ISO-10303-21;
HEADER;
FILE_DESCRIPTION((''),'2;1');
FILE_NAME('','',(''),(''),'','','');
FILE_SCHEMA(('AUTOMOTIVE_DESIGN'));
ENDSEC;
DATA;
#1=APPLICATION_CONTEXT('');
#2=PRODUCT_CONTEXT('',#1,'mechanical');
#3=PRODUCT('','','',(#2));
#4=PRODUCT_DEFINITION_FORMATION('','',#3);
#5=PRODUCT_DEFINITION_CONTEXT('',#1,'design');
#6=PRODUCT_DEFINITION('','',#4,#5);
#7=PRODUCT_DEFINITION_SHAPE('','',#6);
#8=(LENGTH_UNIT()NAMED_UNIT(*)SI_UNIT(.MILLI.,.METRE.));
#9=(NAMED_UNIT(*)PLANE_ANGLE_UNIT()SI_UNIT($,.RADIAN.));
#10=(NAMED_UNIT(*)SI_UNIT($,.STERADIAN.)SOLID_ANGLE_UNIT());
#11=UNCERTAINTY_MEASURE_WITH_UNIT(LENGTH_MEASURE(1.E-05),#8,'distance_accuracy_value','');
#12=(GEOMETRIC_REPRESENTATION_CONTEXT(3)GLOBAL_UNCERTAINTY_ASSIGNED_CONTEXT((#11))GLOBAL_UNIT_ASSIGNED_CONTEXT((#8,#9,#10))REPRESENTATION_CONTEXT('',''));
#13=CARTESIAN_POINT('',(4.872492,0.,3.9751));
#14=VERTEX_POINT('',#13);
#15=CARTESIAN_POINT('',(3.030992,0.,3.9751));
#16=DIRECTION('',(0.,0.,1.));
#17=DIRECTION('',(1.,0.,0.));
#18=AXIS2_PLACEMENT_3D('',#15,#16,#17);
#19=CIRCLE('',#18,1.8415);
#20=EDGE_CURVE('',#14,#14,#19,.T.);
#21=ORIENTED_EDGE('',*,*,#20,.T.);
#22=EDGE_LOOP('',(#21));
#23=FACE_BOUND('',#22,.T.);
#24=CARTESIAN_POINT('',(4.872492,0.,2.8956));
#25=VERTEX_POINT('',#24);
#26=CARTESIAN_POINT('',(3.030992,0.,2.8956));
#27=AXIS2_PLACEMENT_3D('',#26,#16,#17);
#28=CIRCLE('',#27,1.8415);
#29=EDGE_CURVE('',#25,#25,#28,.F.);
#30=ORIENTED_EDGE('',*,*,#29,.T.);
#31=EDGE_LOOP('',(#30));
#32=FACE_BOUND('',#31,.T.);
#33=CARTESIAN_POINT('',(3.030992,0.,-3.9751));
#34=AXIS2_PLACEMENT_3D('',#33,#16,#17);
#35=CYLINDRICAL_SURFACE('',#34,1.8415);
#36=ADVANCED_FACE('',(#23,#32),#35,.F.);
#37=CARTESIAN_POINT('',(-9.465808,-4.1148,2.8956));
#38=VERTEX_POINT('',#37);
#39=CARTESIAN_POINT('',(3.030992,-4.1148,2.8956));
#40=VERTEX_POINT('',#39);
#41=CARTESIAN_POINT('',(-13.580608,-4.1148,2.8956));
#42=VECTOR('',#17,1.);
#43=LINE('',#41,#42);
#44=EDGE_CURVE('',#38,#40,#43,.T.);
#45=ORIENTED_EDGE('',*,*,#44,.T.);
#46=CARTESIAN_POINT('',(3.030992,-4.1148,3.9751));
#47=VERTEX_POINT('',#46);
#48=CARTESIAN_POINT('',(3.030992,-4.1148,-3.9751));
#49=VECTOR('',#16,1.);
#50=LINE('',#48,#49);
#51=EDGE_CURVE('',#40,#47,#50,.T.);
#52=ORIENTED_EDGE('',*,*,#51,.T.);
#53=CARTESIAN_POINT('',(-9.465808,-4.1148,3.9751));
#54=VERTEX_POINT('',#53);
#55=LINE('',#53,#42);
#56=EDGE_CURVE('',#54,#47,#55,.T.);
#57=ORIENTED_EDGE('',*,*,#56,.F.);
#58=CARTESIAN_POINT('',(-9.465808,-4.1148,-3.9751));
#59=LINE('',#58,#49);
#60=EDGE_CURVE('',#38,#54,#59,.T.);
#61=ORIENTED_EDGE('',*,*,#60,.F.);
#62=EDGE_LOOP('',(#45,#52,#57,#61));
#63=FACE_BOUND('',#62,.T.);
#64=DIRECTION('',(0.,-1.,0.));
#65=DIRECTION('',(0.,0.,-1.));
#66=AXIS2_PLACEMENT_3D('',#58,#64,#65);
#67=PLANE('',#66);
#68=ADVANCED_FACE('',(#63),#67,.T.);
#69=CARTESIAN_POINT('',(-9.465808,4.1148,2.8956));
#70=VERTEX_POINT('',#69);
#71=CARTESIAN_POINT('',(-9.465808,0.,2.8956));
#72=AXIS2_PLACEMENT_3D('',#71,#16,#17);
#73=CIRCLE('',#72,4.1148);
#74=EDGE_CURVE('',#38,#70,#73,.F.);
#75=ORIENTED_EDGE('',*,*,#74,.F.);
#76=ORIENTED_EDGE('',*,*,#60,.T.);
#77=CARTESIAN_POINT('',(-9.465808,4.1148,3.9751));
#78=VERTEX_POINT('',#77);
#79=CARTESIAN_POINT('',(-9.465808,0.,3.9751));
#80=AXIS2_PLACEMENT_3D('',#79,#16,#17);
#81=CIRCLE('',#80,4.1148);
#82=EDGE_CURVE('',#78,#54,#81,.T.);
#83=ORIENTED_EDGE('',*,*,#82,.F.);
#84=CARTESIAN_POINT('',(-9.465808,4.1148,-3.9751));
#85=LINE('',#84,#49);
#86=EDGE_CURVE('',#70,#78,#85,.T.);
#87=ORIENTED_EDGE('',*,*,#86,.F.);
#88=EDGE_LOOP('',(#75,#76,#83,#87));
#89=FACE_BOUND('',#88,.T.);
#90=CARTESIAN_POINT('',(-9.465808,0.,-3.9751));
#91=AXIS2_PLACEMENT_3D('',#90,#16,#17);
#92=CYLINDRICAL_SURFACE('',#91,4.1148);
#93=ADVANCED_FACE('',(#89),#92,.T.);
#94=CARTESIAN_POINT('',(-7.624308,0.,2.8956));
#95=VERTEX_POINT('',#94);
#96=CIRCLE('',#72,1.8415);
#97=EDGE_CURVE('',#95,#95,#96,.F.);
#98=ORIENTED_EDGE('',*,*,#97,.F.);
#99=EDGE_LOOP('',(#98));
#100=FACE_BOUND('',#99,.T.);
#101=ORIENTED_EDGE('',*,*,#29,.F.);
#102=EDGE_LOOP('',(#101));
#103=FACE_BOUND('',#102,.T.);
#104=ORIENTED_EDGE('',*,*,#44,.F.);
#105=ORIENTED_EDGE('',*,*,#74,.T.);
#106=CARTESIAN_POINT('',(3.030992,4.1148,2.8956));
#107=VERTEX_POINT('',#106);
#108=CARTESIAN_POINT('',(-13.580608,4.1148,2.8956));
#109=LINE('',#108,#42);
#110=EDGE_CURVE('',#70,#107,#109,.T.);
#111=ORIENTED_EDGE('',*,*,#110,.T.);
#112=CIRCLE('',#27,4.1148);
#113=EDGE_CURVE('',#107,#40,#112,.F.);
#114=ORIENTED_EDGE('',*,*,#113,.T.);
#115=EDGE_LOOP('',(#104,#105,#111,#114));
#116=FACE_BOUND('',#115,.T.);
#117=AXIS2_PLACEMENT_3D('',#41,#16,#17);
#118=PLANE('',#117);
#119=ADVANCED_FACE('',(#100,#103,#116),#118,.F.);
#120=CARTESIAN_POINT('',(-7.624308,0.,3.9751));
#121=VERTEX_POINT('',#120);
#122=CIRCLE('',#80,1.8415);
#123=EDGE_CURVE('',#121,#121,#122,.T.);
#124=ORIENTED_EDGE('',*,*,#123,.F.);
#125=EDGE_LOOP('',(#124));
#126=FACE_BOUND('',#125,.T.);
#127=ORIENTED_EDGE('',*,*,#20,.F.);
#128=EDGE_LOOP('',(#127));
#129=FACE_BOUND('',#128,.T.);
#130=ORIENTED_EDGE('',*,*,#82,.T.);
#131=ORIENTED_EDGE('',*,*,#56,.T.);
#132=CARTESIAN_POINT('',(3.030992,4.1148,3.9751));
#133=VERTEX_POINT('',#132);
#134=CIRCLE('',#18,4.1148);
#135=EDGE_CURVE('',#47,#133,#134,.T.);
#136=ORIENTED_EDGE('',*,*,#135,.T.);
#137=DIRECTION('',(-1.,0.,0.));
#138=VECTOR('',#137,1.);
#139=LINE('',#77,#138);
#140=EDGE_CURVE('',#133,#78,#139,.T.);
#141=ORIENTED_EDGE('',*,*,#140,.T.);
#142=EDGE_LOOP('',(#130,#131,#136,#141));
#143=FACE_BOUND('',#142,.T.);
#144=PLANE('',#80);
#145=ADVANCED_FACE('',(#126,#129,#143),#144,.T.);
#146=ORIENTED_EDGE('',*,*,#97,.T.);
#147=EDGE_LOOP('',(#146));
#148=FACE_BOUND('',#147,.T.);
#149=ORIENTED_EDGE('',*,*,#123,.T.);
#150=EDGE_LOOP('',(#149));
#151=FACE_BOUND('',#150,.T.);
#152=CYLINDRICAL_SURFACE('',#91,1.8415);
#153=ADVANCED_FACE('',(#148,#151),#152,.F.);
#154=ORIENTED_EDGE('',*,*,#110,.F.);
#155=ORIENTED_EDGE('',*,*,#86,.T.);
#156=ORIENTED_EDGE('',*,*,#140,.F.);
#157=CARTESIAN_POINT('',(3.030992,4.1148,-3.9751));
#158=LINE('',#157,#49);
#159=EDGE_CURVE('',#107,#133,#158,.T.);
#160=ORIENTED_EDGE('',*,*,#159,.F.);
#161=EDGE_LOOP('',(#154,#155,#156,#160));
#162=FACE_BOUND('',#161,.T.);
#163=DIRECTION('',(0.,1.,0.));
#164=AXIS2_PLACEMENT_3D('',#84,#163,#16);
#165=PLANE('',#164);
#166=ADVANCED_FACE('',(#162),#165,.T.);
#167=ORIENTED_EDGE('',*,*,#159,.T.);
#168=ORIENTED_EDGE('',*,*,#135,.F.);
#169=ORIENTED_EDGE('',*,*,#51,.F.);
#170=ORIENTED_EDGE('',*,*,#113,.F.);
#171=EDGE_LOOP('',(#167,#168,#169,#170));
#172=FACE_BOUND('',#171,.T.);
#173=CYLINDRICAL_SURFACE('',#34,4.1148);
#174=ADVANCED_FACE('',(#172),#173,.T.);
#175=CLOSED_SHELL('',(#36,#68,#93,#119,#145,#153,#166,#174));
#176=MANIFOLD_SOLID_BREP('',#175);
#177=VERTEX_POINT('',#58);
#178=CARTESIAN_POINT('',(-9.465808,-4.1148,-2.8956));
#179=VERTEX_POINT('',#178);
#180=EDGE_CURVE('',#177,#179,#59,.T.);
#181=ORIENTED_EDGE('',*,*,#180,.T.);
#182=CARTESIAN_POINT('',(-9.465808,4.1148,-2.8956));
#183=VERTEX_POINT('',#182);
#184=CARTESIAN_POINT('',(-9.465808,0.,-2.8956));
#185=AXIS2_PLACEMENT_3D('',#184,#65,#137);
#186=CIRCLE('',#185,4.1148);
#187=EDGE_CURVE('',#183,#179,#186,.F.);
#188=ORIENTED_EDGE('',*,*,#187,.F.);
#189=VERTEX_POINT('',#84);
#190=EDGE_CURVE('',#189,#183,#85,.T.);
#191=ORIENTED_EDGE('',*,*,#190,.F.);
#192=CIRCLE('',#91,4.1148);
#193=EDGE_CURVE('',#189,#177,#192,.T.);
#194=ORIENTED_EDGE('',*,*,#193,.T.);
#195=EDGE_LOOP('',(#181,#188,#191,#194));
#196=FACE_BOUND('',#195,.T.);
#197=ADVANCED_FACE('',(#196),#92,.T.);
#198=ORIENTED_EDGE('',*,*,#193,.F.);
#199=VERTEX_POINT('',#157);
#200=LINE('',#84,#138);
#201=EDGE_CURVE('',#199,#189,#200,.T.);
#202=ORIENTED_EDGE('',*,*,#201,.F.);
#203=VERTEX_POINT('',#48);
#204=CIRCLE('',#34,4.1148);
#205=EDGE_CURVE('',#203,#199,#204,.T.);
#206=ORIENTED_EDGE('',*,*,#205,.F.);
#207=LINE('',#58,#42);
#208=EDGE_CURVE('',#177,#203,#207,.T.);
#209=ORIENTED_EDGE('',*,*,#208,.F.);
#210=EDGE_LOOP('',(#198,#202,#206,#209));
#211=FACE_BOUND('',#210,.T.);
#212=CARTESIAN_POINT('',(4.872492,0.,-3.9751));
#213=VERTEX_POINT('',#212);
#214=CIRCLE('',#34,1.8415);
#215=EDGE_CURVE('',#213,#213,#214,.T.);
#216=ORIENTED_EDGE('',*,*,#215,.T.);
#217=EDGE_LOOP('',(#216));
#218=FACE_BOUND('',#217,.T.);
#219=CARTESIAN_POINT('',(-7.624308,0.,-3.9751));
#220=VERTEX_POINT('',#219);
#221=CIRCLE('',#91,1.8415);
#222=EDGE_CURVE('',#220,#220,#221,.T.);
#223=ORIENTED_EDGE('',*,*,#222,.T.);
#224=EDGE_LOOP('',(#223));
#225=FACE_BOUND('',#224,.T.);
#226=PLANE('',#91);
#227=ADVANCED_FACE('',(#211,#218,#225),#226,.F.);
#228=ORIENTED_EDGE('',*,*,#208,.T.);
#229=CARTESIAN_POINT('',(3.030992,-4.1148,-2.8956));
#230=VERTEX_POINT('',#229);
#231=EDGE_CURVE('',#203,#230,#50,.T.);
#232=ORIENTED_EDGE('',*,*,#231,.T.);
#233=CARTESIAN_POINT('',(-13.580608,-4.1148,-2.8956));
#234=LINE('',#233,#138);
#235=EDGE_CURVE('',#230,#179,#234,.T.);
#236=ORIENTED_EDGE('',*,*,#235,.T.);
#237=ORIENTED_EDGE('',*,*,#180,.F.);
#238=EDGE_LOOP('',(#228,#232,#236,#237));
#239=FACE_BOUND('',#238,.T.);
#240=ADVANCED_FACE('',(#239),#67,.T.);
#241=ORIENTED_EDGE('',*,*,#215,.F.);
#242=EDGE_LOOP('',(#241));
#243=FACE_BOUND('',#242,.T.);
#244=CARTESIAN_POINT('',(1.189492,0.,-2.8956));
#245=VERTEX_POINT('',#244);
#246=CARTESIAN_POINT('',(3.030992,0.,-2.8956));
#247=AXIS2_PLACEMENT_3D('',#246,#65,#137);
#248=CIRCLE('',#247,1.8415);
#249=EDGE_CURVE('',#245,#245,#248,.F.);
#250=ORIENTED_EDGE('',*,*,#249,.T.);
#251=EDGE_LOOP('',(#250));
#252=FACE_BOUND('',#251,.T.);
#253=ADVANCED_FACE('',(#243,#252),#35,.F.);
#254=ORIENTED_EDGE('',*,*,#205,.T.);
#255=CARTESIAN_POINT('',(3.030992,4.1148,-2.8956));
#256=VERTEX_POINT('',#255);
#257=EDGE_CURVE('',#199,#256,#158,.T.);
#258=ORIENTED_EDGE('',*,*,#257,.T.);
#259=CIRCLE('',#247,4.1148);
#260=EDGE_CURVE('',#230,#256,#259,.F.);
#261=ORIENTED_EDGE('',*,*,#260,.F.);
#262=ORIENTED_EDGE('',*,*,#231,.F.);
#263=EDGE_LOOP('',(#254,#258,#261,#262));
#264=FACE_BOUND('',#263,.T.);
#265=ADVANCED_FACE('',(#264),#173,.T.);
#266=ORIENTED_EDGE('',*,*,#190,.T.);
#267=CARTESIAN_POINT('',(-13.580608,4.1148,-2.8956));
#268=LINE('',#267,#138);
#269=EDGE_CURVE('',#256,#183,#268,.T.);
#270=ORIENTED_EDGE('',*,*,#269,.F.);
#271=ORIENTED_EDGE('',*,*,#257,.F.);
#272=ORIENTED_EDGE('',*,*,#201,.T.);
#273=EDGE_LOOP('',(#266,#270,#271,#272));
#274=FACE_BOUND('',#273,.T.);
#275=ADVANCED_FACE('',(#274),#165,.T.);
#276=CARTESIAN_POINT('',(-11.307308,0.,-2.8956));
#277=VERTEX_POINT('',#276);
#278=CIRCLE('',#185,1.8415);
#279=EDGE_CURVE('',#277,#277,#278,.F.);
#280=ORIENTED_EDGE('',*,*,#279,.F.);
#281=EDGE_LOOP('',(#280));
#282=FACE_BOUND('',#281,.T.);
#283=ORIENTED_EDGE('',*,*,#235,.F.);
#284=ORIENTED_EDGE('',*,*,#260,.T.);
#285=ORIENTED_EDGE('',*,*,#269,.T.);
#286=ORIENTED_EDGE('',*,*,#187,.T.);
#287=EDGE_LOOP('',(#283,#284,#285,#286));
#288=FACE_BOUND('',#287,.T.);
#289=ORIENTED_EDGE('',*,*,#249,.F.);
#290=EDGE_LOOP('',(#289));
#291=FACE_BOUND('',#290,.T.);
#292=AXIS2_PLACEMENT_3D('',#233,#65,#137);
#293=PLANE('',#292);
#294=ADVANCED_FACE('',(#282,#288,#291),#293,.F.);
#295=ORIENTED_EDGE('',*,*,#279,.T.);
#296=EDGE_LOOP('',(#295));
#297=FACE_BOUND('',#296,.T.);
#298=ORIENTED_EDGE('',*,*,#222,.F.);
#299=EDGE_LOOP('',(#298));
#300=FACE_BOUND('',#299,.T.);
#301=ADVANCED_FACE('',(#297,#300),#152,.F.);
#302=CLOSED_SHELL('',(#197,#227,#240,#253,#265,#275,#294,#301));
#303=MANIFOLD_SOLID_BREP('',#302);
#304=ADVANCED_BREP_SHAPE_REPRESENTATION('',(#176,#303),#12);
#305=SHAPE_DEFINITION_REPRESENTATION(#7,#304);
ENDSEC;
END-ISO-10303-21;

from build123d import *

# Parameters (mm, degrees)
BOSS_EXTRUDE1_DEPTH      = 3.9751
BOSS_EXTRUDE1_DEPTH_BACK = 3.9751
SKETCH2_R                = 1.8415
SKETCH3_W                = 20.7264
SKETCH3_H                = 5.7912
CUT_EXTRUDE1_DEPTH       = 17.369503444


with BuildPart() as part:
    # Sketch2 → Boss-Extrude1 (new, two sides: drawn at the far end of the back side and taken through both)
    with BuildSketch(Plane.XY.offset(-BOSS_EXTRUDE1_DEPTH_BACK)):
        with BuildLine():
            Line((-9.465807749, 4.1148), (3.030992251, 4.1148))
            ThreePointArc((3.030992251, 4.1148), (7.145792251, 0), (3.030992251, -4.1148))
            Line((3.030992251, -4.1148), (-9.465807749, -4.1148))
            ThreePointArc((-9.465807749, -4.1148), (-13.580607749, 0), (-9.465807749, 4.1148))
        make_face()
        with Locations((-9.465807749, 0)):
            Circle(SKETCH2_R, mode=Mode.SUBTRACT)
        with Locations((3.030992251, 0)):
            Circle(SKETCH2_R, mode=Mode.SUBTRACT)
    extrude(amount=BOSS_EXTRUDE1_DEPTH + BOSS_EXTRUDE1_DEPTH_BACK)

    # Sketch3 → Cut-Extrude1 (cut, through all)
    with BuildSketch(Plane(origin=(0, 4.1148, 0), x_dir=(1, 0, 0), z_dir=(0, 1, 0))):
        with Locations((-3.217407749, 0)):
            Rectangle(SKETCH3_W, SKETCH3_H)
    extrude(amount=-CUT_EXTRUDE1_DEPTH, mode=Mode.SUBTRACT)


with BuildPart() as cut_extrude1_piece_1:
    # of the separate pieces the step leaves, piece 1, a body of its own (cut_extrude1_pieces)
    add(part.part.solids().sort_by_distance((3.030992251, -4.1148, 2.8956))[0])


with BuildPart() as cut_extrude1_piece_2:
    # of the separate pieces the step leaves, piece 2, a body of its own (cut_extrude1_pieces)
    add(part.part.solids().sort_by_distance((3.030992251, -4.1148, -3.9751))[0])


solid = Compound([cut_extrude1_piece_1.part, cut_extrude1_piece_2.part])
